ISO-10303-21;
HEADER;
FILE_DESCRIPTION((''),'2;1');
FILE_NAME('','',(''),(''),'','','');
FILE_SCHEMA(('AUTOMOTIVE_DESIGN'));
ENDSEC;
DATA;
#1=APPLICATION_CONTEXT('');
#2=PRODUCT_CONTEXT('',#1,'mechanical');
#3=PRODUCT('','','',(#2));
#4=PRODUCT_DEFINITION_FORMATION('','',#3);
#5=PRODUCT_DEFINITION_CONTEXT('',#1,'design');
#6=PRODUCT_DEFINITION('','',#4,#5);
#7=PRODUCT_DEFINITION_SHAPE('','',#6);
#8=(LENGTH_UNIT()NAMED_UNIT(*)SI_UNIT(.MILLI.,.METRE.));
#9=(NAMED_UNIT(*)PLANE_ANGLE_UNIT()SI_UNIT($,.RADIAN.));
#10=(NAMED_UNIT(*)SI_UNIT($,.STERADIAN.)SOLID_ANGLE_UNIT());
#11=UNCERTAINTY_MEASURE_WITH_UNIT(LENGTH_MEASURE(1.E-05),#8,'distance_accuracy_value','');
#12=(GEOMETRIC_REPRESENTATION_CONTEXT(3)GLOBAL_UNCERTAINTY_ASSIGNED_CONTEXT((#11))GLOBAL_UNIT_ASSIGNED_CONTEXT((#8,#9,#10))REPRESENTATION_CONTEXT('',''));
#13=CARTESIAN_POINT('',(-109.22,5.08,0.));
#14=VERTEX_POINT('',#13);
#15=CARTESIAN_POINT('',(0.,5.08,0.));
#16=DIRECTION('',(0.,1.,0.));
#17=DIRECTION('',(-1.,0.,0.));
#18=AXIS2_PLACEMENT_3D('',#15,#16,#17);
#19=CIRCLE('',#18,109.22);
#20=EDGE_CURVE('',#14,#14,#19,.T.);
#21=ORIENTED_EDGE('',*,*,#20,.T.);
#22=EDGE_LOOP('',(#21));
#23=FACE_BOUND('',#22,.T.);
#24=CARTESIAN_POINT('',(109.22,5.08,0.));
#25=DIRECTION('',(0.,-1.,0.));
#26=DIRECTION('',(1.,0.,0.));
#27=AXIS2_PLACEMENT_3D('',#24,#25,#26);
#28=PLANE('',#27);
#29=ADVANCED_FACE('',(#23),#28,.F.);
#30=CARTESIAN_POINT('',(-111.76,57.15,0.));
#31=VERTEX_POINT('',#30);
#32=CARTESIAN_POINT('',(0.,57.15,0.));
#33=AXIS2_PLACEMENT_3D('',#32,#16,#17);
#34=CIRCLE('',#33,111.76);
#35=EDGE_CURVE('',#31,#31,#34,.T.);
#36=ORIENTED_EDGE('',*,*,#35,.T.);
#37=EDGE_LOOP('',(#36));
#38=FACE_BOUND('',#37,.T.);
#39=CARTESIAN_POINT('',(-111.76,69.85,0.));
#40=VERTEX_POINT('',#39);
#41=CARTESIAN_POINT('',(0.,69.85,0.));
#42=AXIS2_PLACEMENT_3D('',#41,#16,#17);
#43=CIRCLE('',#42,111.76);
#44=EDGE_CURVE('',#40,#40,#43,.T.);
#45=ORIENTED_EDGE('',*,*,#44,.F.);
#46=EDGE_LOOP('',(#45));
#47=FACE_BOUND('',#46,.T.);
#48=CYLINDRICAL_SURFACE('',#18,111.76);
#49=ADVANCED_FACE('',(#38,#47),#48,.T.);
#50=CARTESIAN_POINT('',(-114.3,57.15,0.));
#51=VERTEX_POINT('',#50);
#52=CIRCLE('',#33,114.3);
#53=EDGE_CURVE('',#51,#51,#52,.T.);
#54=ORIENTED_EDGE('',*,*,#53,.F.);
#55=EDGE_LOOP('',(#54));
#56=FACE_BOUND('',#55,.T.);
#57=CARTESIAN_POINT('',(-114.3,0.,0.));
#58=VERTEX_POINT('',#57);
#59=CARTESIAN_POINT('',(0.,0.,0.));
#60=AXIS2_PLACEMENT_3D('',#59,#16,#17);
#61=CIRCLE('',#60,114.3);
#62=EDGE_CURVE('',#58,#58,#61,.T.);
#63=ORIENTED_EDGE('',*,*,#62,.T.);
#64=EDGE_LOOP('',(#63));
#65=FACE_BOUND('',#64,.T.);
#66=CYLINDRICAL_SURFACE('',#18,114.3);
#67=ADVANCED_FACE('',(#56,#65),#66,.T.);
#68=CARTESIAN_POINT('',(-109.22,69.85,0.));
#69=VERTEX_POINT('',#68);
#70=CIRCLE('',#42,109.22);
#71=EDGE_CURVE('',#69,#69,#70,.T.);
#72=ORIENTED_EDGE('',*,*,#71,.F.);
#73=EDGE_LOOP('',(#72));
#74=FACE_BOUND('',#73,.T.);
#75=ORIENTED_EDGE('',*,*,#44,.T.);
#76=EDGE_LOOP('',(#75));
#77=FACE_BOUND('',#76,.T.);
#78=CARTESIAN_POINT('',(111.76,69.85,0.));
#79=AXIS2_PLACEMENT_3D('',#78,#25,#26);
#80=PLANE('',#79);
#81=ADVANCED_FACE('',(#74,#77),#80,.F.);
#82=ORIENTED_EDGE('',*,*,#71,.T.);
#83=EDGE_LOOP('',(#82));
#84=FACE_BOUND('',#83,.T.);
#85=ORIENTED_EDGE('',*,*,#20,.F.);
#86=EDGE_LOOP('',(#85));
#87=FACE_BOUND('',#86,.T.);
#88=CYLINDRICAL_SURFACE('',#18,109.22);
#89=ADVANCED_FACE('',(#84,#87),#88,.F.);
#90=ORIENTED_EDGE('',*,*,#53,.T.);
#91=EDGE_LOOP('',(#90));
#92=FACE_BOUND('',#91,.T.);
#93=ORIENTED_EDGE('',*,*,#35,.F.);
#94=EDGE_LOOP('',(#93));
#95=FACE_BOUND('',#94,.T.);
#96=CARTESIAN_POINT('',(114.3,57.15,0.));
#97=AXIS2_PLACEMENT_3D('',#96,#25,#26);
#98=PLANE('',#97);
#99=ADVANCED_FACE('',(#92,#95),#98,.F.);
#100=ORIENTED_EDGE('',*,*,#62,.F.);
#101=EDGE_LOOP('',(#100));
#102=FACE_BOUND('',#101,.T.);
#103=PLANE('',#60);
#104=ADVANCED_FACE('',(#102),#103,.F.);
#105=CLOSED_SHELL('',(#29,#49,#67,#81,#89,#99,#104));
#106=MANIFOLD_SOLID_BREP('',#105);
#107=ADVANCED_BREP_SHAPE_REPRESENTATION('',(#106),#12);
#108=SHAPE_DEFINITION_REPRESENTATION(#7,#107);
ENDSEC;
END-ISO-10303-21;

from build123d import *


with BuildPart() as part:
    # Sketch1 → Revolve1 (revolve)
    with BuildSketch(Plane.XY, mode=Mode.PRIVATE) as revolve1_sk:
        Polygon((0, 0), (114.3, 0), (114.3, 57.15), (111.76, 57.15), (111.76, 69.85), (109.22, 69.85), (109.22, 5.08), (0, 5.08), align=None)
    revolve(revolve1_sk.sketch.rotate(Axis((0, 5.08, 0), (0, -1, 0)), 180), axis=Axis((0, 5.08, 0), (0, -1, 0)))


solid = part.part
